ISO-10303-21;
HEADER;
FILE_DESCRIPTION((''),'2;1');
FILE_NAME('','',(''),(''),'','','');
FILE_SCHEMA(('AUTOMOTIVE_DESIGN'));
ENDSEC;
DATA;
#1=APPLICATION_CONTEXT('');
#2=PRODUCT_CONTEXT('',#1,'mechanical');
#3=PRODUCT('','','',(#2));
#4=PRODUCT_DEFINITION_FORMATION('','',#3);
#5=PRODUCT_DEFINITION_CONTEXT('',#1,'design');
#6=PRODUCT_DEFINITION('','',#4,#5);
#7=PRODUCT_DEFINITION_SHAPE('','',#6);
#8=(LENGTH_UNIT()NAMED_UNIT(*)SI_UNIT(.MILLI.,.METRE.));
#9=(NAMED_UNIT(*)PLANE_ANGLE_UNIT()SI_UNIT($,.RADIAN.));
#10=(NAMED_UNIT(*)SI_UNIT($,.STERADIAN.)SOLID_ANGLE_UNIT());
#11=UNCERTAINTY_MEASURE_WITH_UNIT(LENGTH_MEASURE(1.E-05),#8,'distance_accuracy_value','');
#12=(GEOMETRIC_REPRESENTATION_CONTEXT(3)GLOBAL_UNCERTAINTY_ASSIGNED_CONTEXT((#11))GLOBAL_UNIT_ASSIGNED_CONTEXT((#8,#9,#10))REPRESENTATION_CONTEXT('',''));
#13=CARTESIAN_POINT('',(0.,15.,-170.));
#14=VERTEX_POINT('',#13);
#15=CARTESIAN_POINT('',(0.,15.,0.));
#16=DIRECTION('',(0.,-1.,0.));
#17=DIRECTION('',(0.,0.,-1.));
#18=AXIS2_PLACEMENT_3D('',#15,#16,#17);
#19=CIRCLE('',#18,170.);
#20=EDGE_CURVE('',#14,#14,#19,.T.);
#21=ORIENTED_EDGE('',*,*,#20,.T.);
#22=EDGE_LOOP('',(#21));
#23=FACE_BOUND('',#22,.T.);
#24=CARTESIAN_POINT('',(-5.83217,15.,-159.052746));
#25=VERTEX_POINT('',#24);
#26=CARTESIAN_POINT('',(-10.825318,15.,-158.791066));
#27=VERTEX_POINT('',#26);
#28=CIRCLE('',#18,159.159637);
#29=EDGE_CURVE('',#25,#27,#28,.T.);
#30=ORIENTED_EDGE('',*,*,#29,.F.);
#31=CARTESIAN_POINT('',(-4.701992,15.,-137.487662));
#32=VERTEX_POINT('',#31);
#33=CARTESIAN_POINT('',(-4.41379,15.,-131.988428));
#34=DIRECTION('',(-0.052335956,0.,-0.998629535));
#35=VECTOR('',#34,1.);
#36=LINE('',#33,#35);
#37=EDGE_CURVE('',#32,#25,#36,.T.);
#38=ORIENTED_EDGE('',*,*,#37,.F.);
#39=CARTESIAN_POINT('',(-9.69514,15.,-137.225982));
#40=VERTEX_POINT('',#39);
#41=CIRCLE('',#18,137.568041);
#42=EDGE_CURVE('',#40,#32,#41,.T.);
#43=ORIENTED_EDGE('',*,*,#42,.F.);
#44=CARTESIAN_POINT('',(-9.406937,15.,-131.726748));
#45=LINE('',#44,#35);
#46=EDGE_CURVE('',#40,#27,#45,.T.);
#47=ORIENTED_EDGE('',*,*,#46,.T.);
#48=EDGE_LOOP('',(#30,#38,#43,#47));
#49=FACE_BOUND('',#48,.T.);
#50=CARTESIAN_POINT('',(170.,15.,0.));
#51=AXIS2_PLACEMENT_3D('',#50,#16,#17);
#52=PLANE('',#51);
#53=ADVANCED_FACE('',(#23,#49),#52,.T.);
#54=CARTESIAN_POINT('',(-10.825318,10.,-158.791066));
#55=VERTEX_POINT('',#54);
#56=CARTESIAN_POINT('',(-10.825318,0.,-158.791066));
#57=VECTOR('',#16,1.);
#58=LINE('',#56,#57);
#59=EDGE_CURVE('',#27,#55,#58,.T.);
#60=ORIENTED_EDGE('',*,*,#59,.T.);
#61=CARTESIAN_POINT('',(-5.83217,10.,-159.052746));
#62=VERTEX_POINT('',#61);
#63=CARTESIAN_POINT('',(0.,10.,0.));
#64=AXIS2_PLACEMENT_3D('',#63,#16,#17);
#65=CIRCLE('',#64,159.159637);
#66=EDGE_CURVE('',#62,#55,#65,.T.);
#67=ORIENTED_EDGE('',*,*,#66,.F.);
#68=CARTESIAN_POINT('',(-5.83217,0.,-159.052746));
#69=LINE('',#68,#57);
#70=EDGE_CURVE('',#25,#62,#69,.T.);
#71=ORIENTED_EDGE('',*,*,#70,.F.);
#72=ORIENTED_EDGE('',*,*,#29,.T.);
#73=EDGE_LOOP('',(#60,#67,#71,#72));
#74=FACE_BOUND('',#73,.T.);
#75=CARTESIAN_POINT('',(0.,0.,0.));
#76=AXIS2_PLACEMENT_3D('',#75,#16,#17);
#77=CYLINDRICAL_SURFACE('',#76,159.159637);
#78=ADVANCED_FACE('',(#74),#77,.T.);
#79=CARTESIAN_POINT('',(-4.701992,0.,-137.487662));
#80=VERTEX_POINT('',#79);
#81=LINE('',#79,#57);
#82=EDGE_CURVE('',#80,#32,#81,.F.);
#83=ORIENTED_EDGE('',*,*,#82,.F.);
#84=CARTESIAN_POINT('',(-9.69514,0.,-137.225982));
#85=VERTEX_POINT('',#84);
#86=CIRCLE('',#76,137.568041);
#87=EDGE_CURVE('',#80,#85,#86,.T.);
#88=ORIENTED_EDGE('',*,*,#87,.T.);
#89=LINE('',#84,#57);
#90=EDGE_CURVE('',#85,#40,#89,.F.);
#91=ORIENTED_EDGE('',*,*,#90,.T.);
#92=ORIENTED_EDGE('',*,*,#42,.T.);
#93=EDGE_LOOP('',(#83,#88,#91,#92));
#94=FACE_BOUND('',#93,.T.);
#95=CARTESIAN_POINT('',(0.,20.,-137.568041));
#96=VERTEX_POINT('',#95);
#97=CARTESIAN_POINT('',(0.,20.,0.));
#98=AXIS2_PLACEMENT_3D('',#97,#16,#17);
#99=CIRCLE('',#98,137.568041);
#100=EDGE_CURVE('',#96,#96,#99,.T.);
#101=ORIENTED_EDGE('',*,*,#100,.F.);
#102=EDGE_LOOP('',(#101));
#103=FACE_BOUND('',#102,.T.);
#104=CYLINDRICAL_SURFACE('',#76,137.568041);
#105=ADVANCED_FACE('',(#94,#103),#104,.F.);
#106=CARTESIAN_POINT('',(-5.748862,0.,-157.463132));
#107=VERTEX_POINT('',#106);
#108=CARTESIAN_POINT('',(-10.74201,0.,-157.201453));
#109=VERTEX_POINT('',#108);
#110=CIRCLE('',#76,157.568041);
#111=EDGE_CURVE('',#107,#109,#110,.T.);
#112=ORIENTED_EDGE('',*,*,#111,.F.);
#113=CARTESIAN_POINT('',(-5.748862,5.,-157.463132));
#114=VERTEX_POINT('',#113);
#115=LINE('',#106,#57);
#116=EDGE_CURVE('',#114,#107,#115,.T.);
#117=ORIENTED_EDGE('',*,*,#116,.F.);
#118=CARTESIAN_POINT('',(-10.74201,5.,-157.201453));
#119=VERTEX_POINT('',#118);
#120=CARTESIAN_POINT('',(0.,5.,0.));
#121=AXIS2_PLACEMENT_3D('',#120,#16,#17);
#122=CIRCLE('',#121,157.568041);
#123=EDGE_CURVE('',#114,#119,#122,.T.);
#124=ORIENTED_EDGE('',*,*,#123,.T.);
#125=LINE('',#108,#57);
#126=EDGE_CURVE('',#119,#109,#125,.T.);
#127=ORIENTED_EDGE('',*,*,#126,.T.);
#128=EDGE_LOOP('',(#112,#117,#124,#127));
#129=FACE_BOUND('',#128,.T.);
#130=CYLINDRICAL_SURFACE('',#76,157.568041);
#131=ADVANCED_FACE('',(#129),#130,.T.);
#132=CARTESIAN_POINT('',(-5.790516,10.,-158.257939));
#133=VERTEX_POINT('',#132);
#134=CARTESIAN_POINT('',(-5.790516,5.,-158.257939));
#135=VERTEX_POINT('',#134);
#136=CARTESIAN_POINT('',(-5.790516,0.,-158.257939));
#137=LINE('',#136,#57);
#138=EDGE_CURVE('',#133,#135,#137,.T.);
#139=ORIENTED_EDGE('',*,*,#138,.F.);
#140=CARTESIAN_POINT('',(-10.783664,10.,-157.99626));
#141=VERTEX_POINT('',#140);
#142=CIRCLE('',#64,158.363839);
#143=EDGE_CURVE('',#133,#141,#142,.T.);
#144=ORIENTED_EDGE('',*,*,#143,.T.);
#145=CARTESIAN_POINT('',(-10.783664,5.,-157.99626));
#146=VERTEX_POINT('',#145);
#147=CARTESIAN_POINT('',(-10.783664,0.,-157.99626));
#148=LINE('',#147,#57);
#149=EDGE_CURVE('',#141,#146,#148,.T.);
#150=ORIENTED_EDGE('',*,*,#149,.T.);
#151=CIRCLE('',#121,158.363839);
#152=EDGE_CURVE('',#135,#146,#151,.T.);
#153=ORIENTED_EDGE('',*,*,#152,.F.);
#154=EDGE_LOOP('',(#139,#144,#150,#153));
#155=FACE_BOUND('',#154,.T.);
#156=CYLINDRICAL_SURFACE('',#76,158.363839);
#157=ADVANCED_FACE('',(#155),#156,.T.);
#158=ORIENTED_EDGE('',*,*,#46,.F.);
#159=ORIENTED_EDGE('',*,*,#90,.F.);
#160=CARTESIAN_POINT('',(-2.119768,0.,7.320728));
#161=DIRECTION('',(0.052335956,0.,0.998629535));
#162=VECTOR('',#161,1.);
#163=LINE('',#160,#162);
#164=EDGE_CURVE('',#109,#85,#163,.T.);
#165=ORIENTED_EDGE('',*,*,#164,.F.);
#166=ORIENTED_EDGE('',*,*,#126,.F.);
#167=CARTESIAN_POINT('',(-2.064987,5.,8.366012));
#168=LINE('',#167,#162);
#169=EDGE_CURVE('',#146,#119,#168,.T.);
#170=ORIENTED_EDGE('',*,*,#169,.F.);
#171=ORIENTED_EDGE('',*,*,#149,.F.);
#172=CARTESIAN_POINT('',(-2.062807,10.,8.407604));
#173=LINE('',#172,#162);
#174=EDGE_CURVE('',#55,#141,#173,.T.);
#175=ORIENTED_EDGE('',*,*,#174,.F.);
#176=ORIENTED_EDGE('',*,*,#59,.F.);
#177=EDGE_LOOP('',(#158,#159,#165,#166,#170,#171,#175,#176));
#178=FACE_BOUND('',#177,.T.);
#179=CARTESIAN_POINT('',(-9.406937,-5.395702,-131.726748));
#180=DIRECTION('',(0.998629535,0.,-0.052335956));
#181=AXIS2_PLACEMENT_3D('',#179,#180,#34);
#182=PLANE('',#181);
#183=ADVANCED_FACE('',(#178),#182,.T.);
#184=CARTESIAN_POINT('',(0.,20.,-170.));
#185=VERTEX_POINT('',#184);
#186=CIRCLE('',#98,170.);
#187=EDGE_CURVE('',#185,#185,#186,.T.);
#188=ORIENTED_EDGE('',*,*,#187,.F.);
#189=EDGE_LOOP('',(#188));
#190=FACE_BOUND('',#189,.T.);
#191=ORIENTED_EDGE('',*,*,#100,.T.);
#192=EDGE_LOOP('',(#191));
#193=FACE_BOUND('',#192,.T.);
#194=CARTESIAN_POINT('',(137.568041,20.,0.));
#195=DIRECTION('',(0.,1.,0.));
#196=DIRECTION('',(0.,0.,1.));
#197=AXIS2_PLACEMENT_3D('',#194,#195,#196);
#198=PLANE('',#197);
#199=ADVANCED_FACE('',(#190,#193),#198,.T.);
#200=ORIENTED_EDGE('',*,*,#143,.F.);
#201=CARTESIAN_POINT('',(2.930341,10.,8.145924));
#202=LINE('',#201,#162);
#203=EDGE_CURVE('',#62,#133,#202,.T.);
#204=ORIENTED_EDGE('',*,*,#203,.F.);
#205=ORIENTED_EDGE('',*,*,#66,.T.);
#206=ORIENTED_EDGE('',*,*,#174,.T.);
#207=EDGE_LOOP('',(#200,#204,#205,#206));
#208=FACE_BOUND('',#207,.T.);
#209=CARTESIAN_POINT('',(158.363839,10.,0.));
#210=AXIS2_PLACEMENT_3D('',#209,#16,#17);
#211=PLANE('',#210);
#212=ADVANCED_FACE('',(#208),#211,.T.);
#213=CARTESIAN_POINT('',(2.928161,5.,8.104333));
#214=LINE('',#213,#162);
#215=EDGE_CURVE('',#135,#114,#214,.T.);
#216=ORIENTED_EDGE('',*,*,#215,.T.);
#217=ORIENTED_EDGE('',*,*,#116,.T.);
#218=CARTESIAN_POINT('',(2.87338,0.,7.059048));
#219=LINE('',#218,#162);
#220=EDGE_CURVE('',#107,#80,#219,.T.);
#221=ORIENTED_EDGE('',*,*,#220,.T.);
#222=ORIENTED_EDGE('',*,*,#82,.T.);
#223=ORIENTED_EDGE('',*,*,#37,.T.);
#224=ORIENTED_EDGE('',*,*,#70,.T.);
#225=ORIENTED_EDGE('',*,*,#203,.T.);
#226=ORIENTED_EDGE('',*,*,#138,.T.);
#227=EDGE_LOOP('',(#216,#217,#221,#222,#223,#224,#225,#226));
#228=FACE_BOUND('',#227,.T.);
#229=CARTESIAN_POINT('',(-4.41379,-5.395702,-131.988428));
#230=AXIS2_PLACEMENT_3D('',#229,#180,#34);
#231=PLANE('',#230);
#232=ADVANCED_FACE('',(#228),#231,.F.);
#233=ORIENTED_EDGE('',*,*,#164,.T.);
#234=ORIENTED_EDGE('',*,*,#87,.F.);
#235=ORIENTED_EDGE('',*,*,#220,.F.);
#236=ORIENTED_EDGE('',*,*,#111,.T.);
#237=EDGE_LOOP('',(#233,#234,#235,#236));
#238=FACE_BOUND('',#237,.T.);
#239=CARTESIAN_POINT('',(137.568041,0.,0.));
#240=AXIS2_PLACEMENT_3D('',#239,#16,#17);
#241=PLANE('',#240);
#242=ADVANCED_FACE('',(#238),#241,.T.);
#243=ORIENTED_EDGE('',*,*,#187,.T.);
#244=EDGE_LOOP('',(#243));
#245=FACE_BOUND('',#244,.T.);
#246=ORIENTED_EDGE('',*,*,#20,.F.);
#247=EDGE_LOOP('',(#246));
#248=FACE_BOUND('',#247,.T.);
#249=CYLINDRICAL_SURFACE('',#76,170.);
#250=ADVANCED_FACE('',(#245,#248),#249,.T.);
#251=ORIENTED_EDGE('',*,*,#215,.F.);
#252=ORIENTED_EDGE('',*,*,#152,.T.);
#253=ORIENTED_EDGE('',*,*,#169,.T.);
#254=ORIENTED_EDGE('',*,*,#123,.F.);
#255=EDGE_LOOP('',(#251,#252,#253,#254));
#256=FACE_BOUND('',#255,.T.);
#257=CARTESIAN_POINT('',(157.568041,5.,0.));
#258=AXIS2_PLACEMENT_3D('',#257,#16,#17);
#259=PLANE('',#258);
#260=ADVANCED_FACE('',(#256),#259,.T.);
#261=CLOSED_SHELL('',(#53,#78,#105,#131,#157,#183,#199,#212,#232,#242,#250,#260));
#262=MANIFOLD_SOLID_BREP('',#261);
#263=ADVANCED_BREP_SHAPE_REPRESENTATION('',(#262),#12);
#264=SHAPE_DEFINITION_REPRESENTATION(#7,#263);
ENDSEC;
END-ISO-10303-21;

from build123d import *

# Parameters (mm, degrees)
ENL_V_MAT_EXTRU_1_DEPTH = 20.395702365


with BuildPart() as part:
    # Esquisse1 → Révolution1 (revolve)
    with BuildSketch(Plane.XY, mode=Mode.PRIVATE) as r_volution1_sk:
        Polygon((157.568040745, 0), (157.568040745, 5), (158.36383893, 5), (158.36383893, 10), (159.159637116, 10), (159.159637116, 15), (170, 15), (170, 20), (137.568040745, 20), (137.568040745, 0), align=None)
    revolve(r_volution1_sk.sketch.rotate(Axis((0, 0, 0), (0, 1, 0)), 90), axis=Axis((0, 0, 0), (0, 1, 0)))

    # Esquisse2 → Enlèv. mat.-Extru.1 (cut)
    with BuildSketch(Plane.XZ.offset(-15)):
        Polygon((-9.406937207, -131.726748145), (-11.551478732, -172.647038111), (-6.558331058, -172.908717892), (-4.413789534, -131.988427927), align=None)
    extrude(amount=ENL_V_MAT_EXTRU_1_DEPTH, mode=Mode.SUBTRACT)


solid = part.part
